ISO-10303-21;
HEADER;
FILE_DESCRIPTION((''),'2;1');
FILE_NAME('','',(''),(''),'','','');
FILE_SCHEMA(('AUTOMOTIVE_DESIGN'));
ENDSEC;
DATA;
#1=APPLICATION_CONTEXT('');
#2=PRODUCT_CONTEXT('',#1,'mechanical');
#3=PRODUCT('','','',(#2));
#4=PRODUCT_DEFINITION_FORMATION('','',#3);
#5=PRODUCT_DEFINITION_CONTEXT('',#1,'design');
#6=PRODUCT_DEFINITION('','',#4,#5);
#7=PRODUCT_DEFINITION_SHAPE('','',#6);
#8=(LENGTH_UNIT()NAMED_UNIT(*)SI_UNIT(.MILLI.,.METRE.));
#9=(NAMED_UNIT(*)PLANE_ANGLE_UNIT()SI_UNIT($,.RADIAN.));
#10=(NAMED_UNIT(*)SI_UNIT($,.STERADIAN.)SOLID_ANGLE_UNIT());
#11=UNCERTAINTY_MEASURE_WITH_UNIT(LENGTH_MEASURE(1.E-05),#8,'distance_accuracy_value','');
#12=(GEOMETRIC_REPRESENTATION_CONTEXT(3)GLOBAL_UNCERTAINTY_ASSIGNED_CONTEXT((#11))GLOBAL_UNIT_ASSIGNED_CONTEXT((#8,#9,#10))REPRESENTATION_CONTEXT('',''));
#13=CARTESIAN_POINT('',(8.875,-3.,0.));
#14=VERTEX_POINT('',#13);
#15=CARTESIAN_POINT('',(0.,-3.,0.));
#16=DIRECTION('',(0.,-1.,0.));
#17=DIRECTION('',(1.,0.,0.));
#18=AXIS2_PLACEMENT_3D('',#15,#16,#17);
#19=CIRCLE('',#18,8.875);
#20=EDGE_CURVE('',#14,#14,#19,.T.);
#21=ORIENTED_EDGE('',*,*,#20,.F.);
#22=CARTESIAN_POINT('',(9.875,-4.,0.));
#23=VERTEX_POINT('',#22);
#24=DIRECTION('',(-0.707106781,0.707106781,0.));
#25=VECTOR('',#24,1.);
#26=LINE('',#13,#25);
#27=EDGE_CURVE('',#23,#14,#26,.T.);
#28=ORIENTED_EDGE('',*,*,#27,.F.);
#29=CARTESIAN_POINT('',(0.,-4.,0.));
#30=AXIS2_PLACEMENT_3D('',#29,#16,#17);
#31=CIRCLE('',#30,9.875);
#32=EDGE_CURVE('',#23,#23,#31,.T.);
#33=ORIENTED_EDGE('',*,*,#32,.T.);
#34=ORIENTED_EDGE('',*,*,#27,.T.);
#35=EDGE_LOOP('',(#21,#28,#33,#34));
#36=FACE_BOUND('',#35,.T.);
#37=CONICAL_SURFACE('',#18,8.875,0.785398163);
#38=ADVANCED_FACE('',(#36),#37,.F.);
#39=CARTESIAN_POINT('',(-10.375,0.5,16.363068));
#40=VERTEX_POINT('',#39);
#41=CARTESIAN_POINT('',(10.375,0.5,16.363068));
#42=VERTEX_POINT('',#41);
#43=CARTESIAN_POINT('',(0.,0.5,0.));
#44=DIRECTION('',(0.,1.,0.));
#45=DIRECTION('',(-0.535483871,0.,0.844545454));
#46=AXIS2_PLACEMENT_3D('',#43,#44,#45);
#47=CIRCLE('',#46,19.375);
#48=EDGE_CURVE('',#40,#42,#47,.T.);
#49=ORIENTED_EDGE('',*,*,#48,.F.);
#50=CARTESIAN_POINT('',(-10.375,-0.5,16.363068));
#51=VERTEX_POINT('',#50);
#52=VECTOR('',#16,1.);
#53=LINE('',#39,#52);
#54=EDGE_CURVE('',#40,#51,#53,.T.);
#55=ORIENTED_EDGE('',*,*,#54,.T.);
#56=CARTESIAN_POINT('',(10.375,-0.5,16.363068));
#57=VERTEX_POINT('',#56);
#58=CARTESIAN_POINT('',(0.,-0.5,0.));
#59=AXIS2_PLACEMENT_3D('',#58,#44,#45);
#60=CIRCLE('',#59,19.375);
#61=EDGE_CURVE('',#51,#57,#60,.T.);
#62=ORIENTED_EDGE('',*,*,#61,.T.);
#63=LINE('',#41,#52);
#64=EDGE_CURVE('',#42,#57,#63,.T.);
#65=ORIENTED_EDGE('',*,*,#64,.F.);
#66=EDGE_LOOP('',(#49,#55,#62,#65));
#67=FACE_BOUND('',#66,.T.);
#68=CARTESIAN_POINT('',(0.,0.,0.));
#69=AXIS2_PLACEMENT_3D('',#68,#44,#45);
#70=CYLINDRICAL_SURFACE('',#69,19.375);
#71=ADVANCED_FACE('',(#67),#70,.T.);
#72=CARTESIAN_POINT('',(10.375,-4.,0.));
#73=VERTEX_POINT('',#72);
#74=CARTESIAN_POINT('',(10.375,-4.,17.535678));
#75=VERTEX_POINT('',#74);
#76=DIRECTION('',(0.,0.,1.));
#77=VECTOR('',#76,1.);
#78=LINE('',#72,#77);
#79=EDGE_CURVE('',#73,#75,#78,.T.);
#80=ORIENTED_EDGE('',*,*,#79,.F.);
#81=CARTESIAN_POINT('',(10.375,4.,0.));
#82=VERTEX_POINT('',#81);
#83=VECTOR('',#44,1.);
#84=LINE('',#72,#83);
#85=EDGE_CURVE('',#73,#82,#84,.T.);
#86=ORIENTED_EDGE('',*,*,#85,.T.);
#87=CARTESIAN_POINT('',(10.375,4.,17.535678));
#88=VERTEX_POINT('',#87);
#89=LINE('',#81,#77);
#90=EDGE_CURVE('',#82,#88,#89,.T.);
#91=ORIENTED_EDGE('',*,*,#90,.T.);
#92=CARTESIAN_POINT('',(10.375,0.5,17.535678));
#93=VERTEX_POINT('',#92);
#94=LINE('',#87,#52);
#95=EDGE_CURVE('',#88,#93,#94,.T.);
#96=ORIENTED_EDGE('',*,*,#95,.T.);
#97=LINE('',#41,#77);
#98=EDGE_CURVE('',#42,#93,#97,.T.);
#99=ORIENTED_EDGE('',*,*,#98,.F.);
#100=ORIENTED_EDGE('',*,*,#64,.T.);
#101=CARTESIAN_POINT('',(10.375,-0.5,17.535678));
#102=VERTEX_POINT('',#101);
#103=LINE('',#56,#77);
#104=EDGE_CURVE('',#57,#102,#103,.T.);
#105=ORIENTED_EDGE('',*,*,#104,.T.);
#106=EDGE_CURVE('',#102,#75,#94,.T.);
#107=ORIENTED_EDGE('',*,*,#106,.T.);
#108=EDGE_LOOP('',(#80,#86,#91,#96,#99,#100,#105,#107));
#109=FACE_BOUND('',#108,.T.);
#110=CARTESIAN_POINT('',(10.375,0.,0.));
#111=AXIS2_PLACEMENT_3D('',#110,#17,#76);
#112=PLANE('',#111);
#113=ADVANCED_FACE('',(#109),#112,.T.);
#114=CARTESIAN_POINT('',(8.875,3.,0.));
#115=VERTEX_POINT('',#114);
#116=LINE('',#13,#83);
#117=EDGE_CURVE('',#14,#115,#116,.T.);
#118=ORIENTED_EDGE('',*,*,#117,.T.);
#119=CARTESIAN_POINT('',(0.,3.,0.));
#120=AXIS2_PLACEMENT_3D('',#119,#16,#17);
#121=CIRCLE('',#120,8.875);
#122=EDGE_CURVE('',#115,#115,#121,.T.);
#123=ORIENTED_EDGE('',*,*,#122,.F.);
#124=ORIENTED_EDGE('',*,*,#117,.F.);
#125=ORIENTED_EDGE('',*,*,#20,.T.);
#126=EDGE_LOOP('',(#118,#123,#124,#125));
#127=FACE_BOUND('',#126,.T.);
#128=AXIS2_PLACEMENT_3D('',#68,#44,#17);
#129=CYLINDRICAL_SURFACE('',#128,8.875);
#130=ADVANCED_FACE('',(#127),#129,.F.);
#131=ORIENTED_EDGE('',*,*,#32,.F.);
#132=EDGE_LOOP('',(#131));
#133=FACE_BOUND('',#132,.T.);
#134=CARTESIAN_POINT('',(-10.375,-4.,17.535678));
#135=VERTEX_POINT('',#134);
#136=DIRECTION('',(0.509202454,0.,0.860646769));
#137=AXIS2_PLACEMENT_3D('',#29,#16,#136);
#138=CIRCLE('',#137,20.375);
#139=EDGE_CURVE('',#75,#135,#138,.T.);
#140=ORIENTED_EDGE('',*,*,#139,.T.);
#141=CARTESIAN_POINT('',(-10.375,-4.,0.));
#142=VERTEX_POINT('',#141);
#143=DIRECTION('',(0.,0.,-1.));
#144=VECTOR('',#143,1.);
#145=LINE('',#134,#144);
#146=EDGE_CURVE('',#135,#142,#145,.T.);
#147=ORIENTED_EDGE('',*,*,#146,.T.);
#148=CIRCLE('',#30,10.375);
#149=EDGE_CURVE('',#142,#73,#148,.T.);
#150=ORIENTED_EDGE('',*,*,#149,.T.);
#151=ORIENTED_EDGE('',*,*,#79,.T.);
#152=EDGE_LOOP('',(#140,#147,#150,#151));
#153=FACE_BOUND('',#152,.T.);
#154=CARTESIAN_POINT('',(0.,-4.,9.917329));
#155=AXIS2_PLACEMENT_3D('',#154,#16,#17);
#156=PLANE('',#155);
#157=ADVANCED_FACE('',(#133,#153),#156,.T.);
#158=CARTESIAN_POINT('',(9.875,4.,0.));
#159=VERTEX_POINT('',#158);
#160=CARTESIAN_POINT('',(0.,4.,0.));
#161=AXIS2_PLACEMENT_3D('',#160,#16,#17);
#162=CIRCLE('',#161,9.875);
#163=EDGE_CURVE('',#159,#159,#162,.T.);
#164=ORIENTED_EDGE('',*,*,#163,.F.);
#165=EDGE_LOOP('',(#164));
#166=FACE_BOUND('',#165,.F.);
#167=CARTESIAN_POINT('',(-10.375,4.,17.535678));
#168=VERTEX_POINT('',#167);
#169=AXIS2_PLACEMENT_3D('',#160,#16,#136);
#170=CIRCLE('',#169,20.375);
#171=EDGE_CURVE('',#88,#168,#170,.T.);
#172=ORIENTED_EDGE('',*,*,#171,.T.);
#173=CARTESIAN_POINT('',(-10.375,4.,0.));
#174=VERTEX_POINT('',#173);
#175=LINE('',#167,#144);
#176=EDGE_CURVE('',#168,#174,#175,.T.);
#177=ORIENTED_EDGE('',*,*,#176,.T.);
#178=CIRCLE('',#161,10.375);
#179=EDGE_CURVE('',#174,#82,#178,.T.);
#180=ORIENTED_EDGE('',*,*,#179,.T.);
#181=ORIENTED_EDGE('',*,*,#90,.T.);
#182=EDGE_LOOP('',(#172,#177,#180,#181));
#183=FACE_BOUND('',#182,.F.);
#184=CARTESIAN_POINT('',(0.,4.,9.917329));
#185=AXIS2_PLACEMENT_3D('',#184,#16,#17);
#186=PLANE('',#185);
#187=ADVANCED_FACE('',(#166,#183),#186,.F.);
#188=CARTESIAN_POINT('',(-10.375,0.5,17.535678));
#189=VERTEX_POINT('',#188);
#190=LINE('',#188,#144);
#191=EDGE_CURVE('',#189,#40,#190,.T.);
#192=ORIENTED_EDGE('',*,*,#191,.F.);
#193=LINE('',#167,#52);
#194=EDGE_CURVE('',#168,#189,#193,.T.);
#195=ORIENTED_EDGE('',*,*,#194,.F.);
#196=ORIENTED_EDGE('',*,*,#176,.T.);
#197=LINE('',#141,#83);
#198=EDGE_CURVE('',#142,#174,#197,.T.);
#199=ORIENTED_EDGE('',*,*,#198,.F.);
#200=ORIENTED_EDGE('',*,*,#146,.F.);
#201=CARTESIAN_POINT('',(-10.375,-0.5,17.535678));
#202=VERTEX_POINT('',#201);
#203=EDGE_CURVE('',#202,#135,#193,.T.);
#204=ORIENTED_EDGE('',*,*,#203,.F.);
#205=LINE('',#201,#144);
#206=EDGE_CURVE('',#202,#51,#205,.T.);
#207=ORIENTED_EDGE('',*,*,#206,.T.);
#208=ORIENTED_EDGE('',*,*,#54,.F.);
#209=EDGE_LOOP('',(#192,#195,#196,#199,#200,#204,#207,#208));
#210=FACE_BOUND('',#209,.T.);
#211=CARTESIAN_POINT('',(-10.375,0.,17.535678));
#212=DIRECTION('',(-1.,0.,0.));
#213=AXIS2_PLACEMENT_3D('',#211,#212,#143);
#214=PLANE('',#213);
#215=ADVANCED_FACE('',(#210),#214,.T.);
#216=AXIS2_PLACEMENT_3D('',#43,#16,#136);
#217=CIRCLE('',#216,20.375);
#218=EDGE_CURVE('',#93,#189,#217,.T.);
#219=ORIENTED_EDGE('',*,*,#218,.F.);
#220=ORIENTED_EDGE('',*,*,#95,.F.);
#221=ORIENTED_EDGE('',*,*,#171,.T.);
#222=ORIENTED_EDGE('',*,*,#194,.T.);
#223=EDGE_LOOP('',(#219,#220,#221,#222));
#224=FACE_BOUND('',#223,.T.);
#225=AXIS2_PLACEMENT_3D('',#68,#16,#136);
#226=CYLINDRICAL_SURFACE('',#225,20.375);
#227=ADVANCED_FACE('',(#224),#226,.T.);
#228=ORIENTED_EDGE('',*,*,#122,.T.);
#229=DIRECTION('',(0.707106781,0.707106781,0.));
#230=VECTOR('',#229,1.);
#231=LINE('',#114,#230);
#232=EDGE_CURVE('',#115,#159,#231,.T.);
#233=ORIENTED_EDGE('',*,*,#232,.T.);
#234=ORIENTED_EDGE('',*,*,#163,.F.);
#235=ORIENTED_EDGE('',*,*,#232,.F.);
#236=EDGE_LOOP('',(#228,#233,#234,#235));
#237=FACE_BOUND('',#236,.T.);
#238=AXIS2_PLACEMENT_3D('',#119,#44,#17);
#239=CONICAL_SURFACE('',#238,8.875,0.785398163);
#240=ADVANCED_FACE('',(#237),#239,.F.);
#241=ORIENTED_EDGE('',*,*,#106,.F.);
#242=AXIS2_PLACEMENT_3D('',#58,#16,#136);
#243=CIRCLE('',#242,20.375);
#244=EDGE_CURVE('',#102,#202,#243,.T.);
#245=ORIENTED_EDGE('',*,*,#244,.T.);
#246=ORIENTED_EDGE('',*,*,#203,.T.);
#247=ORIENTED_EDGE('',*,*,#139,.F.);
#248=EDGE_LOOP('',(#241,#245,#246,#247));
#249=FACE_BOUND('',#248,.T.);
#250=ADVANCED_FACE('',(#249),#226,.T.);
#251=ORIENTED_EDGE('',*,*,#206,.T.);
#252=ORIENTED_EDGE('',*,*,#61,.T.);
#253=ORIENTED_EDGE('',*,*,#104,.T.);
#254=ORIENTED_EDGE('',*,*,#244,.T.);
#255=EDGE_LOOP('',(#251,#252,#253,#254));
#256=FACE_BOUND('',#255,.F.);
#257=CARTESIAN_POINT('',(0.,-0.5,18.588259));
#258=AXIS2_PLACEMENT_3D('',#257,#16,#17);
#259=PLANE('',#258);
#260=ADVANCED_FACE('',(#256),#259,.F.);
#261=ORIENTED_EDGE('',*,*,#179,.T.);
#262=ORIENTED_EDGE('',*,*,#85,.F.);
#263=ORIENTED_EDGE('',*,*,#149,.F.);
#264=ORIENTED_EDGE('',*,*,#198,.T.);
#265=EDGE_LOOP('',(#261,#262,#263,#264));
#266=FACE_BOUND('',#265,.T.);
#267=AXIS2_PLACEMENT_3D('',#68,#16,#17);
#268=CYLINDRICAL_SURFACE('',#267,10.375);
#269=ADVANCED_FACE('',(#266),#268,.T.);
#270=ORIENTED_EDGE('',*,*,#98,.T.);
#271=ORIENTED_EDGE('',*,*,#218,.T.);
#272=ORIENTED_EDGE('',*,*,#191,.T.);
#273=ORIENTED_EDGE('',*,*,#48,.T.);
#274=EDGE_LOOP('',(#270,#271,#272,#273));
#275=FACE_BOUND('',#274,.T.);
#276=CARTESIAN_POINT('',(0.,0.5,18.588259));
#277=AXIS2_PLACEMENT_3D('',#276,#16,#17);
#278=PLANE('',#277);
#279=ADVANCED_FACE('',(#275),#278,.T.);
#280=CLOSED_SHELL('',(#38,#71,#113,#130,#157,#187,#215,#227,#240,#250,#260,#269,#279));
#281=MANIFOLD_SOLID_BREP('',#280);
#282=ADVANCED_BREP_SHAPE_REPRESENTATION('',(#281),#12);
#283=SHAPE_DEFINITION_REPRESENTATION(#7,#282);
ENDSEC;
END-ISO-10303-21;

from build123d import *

# Parameters (mm, degrees)
F0_R          = 8.875
F1_DEPTH      = 4
F1_DEPTH_BACK = 4
F2_SIZE       = 1
F3_DEPTH      = 4
F3_DEPTH_BACK = 4
F4_DEPTH      = 0.5
F4_DEPTH_BACK = 0.5


with BuildPart() as f1:
    # F0 (on Front) → F1 (new body, two sides)
    with BuildSketch(Plane.XZ) as f1_sk:
        with BuildLine():
            ThreePointArc((-10.375, 0), (0, -10.375), (10.375, 0))
            ThreePointArc((10.375, 0), (0, 10.375), (-10.375, 0))
        make_face()
        Circle(F0_R, mode=Mode.SUBTRACT)
    extrude(amount=F1_DEPTH)
    extrude(f1_sk.sketch, amount=-F1_DEPTH_BACK)

    # F2
    f2_edges = [f1.edges().sort_by_distance(p)[0] for p in [
        (-8.875, -4, 0),
        (-8.875, 4, 0),
    ]]
    chamfer(f2_edges, length=F2_SIZE)

    # F0 (on Front) → F3 (join, two sides)
    with BuildSketch(Plane.XZ) as f3_sk:
        with BuildLine():
            ThreePointArc((-10.375, 0), (0, 10.375), (10.375, 0))
            Line((10.375, 0), (10.375, 16.363068172))
            ThreePointArc((10.375, 16.363068172), (0, 19.375), (-10.375, 16.363068172))
            Line((-10.375, 16.363068172), (-10.375, 0))
        make_face()
        with BuildLine():
            ThreePointArc((-10.375, 16.363068172), (0, 19.375), (10.375, 16.363068172))
            Line((10.375, 16.363068172), (10.375, 17.5356779168))
            ThreePointArc((10.375, 17.5356779168), (0, 20.375), (-10.375, 17.5356779168))
            Line((-10.375, 17.5356779168), (-10.375, 16.363068172))
        make_face()
    extrude(amount=F3_DEPTH)
    extrude(f3_sk.sketch, amount=-F3_DEPTH_BACK)

    # F0 (on Front) → F4 (cut, two sides)
    with BuildSketch(Plane.XZ) as f4_sk:
        with BuildLine():
            ThreePointArc((-10.375, 16.363068172), (0, 19.375), (10.375, 16.363068172))
            Line((10.375, 16.363068172), (10.375, 17.5356779168))
            ThreePointArc((10.375, 17.5356779168), (0, 20.375), (-10.375, 17.5356779168))
            Line((-10.375, 17.5356779168), (-10.375, 16.363068172))
        make_face()
    extrude(amount=-F4_DEPTH, mode=Mode.SUBTRACT)
    extrude(f4_sk.sketch, amount=F4_DEPTH_BACK, mode=Mode.SUBTRACT)


solid = f1.part
